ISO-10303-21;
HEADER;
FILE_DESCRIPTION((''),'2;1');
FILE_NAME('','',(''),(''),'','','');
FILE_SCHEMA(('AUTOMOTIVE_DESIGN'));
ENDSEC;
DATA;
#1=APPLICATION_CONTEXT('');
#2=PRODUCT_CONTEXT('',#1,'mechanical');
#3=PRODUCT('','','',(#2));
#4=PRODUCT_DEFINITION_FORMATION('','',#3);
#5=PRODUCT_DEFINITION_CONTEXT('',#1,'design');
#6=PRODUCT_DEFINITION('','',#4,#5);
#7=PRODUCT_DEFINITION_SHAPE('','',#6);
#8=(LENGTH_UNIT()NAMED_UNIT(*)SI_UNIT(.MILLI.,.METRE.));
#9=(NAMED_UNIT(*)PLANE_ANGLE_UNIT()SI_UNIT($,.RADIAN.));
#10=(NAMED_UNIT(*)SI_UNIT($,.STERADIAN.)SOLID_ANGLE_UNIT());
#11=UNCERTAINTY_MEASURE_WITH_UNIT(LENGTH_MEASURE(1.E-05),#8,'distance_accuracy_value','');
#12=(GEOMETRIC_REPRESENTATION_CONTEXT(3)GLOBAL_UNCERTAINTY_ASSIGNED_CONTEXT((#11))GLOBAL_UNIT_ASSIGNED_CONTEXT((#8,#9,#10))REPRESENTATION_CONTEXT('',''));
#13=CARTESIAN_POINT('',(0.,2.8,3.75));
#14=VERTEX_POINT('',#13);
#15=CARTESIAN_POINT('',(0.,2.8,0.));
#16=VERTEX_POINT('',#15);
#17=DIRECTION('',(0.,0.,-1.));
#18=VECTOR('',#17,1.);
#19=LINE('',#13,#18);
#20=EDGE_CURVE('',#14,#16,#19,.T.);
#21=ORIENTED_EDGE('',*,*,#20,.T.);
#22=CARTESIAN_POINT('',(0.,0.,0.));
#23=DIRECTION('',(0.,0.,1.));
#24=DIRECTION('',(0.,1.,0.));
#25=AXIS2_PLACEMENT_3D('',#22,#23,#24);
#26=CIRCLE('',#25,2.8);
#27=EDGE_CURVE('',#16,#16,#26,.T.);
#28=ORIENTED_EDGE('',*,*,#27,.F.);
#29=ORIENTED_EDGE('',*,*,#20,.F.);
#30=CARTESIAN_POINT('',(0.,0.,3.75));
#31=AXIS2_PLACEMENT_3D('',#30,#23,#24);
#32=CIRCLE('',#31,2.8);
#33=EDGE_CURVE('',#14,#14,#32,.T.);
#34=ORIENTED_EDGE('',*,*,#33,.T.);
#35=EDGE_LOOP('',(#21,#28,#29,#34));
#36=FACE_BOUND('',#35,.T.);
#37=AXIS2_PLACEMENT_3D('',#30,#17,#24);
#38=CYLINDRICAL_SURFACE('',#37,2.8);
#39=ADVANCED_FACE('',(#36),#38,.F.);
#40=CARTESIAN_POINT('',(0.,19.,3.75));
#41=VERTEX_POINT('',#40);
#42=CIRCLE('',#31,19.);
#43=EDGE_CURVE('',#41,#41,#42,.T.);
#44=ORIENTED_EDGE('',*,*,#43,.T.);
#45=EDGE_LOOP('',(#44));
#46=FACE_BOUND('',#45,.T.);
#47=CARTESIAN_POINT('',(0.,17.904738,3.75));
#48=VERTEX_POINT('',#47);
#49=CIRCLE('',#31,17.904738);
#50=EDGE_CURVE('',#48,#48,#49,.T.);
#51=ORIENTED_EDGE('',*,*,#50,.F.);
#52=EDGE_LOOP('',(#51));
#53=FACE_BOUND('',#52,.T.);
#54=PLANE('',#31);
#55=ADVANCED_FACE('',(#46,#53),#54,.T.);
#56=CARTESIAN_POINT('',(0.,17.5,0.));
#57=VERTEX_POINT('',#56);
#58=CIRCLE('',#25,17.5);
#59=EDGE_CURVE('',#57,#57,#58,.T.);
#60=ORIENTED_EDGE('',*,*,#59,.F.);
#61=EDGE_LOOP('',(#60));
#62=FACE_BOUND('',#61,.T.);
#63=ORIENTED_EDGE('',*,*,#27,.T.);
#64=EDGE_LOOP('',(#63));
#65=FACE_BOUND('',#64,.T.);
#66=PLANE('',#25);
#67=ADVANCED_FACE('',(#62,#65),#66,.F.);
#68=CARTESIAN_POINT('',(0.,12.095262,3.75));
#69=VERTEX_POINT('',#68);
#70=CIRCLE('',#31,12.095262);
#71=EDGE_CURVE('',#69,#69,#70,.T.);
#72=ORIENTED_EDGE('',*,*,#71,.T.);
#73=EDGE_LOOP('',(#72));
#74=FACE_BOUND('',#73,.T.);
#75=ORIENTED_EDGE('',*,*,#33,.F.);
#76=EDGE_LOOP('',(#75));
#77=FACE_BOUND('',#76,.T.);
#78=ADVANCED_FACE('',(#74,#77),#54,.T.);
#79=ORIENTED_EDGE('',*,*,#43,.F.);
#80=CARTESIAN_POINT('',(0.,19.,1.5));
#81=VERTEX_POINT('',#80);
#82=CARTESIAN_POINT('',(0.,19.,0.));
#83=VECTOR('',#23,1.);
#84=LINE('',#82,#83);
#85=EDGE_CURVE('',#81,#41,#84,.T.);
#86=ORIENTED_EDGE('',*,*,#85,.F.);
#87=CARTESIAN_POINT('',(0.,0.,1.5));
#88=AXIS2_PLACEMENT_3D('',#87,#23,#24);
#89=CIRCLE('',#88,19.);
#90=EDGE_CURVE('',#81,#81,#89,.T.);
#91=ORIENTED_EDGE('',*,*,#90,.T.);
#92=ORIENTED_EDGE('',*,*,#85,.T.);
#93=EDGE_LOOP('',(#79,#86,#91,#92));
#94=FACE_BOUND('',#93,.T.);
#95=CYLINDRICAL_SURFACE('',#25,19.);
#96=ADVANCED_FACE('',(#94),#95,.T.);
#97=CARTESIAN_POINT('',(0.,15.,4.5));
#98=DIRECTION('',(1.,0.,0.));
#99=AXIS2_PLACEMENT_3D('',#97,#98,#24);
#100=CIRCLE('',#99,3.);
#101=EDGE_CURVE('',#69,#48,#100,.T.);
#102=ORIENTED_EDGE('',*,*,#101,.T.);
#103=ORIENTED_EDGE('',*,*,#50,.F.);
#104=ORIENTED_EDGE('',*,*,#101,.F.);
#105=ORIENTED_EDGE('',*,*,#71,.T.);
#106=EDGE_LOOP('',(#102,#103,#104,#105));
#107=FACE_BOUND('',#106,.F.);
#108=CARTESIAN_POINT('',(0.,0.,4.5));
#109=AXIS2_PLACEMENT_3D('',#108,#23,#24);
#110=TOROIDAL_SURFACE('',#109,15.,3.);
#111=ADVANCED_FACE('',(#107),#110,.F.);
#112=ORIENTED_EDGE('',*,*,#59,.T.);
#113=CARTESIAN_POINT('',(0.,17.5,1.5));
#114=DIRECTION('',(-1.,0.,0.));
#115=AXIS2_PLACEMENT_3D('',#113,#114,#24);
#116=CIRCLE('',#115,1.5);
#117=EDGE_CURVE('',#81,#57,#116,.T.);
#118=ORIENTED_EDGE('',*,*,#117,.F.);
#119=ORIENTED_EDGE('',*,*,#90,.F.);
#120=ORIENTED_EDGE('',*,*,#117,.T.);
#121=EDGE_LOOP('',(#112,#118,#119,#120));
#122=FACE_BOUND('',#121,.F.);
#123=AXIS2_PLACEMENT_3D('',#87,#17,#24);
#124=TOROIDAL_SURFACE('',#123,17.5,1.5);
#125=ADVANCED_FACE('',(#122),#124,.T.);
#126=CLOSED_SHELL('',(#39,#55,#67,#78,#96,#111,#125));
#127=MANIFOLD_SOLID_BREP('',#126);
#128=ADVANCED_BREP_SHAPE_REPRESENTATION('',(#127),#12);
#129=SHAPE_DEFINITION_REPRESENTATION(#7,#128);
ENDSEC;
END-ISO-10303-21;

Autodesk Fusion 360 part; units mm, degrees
sketch "Sketch1" plane through (0, 0, 0) normal (1, 0, 0) x (0, 1, 0)
  line L0 (0, 0) -> (15, 0) construction
  line L1 (15, 0) -> (15, 4.5) construction
  circle A0 centre (15, 4.5) radius 3
  line L2 (15, 0) -> (11, 0) construction
  line L3 (11, 0) -> (19, 0)
  line L4 (19, 0) -> (19, 3.75)
  line L5 (19, 3.75) -> (11, 3.75)
  line L6 (11, 3.75) -> (2.8, 3.75)
  line L7 (2.8, 3.75) -> (2.8, 0)
  line L8 (2.8, 0) -> (11, 0)
  dimension "d1" = 15
  dimension "d2" = 4.5
  dimension "d3" = 6
  dimension "d4" = 4
  dimension "d5" = 8
  dimension "d6" = 3.75
  dimension "d7" = 2.8
revolve "Revolve1" add sketch "Sketch1" angle 360 about axis through (0, 0, 1.75) along (0, 0, 1) contours A0 L3 L4 L5 L6 L7 L8
fillet "Fillet1" radius 1.5 1 edges at (-17.7142, 6.8707, 0)
